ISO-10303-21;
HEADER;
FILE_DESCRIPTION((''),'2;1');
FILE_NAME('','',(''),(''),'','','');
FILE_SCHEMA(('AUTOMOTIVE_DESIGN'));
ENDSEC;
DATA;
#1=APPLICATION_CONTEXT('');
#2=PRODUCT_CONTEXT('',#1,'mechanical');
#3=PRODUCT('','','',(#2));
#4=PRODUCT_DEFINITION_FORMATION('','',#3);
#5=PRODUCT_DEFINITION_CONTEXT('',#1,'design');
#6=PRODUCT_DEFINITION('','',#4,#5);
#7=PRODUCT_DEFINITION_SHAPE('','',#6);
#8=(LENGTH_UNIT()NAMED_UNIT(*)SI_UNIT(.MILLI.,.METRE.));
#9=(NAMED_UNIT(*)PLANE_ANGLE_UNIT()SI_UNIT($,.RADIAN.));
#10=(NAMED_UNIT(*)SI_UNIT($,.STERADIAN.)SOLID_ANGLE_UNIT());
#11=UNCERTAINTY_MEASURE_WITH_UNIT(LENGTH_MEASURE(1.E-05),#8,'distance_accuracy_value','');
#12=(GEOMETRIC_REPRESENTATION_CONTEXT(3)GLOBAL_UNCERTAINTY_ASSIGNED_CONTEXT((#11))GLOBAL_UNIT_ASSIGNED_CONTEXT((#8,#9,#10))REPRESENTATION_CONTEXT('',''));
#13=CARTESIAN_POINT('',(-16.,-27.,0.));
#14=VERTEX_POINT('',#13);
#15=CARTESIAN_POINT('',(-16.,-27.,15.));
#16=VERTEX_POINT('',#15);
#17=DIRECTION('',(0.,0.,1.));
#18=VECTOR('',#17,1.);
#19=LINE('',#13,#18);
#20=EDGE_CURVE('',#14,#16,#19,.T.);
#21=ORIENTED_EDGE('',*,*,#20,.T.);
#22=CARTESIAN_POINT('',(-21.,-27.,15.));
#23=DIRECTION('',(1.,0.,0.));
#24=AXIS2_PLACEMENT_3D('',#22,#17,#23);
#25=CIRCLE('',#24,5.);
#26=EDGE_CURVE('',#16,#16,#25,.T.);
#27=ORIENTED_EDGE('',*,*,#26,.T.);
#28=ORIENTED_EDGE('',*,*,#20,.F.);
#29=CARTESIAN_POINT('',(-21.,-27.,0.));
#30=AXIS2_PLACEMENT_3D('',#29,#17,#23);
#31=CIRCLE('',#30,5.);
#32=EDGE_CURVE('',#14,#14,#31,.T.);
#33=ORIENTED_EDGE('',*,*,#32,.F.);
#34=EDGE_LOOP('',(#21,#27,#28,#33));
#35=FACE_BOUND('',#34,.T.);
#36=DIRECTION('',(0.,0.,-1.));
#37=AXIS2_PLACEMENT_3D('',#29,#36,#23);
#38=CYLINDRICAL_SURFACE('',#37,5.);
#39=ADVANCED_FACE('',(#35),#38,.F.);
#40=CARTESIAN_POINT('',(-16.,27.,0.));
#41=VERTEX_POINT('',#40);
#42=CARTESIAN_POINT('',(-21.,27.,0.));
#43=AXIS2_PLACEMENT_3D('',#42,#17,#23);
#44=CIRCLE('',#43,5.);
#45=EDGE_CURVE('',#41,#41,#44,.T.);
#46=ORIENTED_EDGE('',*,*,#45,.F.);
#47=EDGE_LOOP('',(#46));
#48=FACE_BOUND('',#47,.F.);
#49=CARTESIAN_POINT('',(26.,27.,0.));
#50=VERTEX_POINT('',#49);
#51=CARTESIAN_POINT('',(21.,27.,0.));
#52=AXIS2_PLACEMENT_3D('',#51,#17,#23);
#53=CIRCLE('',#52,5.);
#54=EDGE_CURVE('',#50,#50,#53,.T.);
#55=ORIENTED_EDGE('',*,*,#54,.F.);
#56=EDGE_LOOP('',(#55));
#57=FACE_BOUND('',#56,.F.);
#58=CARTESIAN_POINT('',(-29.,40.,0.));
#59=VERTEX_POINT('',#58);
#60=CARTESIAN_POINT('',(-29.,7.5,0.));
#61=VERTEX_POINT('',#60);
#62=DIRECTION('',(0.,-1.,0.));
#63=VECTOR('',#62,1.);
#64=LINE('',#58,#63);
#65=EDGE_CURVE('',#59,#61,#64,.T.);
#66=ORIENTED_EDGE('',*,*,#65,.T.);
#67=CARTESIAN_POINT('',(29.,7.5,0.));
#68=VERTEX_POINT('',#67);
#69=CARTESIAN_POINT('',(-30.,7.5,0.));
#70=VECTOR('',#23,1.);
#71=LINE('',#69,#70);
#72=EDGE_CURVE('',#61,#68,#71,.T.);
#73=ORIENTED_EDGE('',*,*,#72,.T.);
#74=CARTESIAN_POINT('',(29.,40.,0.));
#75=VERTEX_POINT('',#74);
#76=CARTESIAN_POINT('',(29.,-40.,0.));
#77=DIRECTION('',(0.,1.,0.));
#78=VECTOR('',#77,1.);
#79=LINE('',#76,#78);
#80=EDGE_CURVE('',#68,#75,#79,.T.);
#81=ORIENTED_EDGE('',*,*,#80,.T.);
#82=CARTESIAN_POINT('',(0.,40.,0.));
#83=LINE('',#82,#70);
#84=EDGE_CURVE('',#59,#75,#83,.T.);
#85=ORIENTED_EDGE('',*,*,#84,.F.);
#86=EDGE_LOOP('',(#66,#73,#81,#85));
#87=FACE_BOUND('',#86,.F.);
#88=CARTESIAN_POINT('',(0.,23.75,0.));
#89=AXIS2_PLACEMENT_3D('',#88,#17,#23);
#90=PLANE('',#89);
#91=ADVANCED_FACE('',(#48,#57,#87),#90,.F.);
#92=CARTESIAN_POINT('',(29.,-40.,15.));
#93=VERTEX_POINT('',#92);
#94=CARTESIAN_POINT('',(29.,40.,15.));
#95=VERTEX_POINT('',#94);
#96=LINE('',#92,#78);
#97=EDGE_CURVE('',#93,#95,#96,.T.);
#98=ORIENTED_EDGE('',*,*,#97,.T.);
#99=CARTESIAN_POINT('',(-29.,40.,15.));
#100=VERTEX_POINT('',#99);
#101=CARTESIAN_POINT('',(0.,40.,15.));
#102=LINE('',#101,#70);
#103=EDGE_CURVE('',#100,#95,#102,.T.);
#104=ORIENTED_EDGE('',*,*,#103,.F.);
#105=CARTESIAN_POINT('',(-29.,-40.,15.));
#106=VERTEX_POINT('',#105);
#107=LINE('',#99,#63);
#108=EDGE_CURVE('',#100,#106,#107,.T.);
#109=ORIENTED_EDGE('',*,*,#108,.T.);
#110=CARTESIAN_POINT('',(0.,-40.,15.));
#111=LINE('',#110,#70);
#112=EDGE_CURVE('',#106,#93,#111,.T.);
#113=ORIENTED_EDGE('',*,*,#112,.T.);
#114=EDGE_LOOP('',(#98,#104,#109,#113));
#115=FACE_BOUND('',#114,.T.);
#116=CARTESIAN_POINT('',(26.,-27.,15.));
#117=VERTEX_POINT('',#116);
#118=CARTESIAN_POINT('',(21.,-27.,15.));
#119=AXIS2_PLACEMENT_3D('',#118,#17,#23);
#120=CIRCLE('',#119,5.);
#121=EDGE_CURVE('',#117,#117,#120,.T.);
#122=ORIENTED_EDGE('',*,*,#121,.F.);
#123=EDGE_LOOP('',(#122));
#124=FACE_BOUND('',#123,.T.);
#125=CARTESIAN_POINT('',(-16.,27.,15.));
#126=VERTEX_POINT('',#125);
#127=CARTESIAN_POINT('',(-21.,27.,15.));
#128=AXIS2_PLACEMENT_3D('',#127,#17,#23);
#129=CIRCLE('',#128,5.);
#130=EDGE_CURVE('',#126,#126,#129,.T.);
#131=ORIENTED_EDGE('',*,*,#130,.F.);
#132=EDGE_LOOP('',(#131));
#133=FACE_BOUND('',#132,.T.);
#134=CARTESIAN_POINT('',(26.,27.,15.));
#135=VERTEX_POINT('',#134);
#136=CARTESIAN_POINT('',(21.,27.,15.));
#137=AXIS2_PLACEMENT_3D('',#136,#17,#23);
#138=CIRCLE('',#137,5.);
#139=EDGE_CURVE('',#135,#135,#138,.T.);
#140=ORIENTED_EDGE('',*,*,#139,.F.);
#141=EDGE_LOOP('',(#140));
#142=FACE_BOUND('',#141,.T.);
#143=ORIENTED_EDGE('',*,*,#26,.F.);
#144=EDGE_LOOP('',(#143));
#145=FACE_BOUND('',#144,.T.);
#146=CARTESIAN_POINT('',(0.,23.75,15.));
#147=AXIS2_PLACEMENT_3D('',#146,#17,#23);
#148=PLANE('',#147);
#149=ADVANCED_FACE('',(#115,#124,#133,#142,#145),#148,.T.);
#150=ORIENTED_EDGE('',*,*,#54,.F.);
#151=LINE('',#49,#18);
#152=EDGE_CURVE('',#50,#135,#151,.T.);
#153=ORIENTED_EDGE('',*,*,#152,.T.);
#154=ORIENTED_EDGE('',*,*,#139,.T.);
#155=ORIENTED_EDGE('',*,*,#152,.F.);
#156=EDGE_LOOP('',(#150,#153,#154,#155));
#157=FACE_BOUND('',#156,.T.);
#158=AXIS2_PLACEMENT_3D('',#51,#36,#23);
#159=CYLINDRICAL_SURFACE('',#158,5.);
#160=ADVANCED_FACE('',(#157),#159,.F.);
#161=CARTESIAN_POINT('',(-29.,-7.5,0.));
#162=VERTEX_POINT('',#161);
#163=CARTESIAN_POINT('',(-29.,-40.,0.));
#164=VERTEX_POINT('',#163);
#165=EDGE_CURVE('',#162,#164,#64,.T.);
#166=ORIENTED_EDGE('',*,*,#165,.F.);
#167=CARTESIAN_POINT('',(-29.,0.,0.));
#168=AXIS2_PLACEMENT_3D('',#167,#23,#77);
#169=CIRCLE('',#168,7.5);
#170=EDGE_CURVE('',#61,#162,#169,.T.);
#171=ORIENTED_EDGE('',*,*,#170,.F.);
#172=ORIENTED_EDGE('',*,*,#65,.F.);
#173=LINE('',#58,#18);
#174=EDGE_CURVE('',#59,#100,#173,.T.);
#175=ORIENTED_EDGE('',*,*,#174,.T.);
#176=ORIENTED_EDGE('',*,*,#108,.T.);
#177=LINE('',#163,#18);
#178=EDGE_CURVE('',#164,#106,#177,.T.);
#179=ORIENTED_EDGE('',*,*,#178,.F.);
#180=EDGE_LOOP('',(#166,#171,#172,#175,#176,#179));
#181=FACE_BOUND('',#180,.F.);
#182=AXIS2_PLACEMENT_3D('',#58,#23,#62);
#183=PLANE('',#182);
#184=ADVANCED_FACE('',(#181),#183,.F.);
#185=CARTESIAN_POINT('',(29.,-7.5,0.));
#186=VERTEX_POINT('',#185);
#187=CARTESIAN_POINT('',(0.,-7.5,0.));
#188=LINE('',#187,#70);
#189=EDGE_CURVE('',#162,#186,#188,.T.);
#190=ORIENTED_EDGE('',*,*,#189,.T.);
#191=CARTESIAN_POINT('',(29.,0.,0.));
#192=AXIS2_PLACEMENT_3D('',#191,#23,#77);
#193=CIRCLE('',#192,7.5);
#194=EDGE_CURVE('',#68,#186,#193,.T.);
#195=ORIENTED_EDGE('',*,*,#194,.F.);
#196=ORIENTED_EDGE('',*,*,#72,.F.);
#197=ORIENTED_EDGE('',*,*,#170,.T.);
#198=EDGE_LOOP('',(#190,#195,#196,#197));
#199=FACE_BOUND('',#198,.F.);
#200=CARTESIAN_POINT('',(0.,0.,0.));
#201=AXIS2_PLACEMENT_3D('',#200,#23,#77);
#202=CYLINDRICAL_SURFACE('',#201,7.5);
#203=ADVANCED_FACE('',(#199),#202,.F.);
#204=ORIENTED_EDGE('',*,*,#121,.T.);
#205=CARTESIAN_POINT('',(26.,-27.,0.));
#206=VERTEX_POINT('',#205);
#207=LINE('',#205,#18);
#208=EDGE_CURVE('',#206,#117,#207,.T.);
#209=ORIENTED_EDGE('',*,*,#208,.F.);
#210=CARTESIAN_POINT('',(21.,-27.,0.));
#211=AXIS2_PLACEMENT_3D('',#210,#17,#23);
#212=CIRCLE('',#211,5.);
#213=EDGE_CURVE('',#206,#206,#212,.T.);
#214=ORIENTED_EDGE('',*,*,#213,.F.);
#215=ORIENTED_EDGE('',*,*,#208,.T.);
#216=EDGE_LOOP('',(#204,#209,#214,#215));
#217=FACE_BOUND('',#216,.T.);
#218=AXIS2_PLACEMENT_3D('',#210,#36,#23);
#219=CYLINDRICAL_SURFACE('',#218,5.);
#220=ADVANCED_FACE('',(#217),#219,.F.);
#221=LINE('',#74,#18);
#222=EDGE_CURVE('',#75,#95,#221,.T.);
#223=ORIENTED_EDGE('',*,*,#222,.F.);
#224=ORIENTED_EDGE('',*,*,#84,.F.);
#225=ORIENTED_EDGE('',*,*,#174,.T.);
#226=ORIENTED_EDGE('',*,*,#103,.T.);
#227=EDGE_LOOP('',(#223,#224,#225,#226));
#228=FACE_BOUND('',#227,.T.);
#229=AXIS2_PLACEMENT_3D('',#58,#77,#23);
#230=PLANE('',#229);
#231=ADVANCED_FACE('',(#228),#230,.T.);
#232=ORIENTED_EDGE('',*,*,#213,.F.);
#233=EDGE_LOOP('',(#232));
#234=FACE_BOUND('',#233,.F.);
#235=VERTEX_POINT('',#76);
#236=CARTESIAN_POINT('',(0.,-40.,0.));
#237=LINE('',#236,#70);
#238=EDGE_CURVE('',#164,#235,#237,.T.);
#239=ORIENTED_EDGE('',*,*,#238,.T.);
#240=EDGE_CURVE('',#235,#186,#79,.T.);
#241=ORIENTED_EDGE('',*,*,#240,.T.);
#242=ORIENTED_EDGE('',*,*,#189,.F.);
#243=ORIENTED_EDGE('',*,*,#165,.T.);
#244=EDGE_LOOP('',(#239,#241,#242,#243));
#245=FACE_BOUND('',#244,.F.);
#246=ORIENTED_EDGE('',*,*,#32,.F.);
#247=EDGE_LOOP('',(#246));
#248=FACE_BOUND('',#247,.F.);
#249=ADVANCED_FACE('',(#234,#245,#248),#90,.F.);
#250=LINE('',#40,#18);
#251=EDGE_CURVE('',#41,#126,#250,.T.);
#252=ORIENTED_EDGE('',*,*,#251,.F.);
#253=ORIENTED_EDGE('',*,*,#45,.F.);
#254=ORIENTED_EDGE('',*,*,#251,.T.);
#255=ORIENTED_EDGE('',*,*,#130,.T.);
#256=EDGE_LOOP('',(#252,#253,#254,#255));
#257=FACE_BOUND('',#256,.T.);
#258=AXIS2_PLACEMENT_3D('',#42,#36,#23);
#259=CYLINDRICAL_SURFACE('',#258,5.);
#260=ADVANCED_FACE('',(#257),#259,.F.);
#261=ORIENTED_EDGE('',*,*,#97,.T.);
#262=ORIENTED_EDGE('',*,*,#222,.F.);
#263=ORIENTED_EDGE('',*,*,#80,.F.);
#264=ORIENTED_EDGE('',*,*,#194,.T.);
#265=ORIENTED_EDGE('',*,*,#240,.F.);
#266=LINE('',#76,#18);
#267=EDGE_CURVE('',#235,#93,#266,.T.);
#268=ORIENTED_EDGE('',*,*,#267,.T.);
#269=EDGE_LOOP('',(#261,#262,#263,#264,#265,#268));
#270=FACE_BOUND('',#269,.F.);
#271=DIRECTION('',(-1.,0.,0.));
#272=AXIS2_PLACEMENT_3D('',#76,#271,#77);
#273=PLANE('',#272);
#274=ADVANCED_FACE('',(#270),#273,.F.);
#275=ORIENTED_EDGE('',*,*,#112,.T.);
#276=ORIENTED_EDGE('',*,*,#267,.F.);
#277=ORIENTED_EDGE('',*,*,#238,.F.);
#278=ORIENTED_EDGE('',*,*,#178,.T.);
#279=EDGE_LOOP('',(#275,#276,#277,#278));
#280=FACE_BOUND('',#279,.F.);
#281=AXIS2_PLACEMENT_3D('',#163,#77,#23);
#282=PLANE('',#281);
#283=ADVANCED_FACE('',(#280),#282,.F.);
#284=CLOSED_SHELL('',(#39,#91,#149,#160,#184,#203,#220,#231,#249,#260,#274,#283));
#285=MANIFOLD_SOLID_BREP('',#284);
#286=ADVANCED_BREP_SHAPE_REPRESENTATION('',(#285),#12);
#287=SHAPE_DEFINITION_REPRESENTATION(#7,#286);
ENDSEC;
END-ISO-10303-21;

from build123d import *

# Parameters (mm, degrees)
F0_W     = 58
F0_H     = 32.5
F0_R     = 5
F0_H_2   = 15
F1_DEPTH = 15
F2_R     = 7.5
F3_DEPTH = 30


with BuildPart() as f1:
    # F0 (on Top) → F1 (new body)
    with BuildSketch(Plane.XY):
        with Locations((0, 23.75)):
            Rectangle(F0_W, F0_H)
        with Locations((-21, 27)):
            Circle(F0_R, mode=Mode.SUBTRACT)
        with Locations((21, 27)):
            Circle(F0_R, mode=Mode.SUBTRACT)
        Rectangle(F0_W, F0_H_2)
        with Locations((0, -23.75)):
            Rectangle(F0_W, F0_H)
        with Locations((-21, -27)):
            Circle(F0_R, mode=Mode.SUBTRACT)
        with Locations((21, -27)):
            Circle(F0_R, mode=Mode.SUBTRACT)
    extrude(amount=F1_DEPTH)

    # F2 (on Right) → F3 (cut, symmetric)
    with BuildSketch(Plane.YZ):
        Circle(F2_R)
    extrude(amount=F3_DEPTH, both=True, mode=Mode.SUBTRACT)


solid = f1.part
